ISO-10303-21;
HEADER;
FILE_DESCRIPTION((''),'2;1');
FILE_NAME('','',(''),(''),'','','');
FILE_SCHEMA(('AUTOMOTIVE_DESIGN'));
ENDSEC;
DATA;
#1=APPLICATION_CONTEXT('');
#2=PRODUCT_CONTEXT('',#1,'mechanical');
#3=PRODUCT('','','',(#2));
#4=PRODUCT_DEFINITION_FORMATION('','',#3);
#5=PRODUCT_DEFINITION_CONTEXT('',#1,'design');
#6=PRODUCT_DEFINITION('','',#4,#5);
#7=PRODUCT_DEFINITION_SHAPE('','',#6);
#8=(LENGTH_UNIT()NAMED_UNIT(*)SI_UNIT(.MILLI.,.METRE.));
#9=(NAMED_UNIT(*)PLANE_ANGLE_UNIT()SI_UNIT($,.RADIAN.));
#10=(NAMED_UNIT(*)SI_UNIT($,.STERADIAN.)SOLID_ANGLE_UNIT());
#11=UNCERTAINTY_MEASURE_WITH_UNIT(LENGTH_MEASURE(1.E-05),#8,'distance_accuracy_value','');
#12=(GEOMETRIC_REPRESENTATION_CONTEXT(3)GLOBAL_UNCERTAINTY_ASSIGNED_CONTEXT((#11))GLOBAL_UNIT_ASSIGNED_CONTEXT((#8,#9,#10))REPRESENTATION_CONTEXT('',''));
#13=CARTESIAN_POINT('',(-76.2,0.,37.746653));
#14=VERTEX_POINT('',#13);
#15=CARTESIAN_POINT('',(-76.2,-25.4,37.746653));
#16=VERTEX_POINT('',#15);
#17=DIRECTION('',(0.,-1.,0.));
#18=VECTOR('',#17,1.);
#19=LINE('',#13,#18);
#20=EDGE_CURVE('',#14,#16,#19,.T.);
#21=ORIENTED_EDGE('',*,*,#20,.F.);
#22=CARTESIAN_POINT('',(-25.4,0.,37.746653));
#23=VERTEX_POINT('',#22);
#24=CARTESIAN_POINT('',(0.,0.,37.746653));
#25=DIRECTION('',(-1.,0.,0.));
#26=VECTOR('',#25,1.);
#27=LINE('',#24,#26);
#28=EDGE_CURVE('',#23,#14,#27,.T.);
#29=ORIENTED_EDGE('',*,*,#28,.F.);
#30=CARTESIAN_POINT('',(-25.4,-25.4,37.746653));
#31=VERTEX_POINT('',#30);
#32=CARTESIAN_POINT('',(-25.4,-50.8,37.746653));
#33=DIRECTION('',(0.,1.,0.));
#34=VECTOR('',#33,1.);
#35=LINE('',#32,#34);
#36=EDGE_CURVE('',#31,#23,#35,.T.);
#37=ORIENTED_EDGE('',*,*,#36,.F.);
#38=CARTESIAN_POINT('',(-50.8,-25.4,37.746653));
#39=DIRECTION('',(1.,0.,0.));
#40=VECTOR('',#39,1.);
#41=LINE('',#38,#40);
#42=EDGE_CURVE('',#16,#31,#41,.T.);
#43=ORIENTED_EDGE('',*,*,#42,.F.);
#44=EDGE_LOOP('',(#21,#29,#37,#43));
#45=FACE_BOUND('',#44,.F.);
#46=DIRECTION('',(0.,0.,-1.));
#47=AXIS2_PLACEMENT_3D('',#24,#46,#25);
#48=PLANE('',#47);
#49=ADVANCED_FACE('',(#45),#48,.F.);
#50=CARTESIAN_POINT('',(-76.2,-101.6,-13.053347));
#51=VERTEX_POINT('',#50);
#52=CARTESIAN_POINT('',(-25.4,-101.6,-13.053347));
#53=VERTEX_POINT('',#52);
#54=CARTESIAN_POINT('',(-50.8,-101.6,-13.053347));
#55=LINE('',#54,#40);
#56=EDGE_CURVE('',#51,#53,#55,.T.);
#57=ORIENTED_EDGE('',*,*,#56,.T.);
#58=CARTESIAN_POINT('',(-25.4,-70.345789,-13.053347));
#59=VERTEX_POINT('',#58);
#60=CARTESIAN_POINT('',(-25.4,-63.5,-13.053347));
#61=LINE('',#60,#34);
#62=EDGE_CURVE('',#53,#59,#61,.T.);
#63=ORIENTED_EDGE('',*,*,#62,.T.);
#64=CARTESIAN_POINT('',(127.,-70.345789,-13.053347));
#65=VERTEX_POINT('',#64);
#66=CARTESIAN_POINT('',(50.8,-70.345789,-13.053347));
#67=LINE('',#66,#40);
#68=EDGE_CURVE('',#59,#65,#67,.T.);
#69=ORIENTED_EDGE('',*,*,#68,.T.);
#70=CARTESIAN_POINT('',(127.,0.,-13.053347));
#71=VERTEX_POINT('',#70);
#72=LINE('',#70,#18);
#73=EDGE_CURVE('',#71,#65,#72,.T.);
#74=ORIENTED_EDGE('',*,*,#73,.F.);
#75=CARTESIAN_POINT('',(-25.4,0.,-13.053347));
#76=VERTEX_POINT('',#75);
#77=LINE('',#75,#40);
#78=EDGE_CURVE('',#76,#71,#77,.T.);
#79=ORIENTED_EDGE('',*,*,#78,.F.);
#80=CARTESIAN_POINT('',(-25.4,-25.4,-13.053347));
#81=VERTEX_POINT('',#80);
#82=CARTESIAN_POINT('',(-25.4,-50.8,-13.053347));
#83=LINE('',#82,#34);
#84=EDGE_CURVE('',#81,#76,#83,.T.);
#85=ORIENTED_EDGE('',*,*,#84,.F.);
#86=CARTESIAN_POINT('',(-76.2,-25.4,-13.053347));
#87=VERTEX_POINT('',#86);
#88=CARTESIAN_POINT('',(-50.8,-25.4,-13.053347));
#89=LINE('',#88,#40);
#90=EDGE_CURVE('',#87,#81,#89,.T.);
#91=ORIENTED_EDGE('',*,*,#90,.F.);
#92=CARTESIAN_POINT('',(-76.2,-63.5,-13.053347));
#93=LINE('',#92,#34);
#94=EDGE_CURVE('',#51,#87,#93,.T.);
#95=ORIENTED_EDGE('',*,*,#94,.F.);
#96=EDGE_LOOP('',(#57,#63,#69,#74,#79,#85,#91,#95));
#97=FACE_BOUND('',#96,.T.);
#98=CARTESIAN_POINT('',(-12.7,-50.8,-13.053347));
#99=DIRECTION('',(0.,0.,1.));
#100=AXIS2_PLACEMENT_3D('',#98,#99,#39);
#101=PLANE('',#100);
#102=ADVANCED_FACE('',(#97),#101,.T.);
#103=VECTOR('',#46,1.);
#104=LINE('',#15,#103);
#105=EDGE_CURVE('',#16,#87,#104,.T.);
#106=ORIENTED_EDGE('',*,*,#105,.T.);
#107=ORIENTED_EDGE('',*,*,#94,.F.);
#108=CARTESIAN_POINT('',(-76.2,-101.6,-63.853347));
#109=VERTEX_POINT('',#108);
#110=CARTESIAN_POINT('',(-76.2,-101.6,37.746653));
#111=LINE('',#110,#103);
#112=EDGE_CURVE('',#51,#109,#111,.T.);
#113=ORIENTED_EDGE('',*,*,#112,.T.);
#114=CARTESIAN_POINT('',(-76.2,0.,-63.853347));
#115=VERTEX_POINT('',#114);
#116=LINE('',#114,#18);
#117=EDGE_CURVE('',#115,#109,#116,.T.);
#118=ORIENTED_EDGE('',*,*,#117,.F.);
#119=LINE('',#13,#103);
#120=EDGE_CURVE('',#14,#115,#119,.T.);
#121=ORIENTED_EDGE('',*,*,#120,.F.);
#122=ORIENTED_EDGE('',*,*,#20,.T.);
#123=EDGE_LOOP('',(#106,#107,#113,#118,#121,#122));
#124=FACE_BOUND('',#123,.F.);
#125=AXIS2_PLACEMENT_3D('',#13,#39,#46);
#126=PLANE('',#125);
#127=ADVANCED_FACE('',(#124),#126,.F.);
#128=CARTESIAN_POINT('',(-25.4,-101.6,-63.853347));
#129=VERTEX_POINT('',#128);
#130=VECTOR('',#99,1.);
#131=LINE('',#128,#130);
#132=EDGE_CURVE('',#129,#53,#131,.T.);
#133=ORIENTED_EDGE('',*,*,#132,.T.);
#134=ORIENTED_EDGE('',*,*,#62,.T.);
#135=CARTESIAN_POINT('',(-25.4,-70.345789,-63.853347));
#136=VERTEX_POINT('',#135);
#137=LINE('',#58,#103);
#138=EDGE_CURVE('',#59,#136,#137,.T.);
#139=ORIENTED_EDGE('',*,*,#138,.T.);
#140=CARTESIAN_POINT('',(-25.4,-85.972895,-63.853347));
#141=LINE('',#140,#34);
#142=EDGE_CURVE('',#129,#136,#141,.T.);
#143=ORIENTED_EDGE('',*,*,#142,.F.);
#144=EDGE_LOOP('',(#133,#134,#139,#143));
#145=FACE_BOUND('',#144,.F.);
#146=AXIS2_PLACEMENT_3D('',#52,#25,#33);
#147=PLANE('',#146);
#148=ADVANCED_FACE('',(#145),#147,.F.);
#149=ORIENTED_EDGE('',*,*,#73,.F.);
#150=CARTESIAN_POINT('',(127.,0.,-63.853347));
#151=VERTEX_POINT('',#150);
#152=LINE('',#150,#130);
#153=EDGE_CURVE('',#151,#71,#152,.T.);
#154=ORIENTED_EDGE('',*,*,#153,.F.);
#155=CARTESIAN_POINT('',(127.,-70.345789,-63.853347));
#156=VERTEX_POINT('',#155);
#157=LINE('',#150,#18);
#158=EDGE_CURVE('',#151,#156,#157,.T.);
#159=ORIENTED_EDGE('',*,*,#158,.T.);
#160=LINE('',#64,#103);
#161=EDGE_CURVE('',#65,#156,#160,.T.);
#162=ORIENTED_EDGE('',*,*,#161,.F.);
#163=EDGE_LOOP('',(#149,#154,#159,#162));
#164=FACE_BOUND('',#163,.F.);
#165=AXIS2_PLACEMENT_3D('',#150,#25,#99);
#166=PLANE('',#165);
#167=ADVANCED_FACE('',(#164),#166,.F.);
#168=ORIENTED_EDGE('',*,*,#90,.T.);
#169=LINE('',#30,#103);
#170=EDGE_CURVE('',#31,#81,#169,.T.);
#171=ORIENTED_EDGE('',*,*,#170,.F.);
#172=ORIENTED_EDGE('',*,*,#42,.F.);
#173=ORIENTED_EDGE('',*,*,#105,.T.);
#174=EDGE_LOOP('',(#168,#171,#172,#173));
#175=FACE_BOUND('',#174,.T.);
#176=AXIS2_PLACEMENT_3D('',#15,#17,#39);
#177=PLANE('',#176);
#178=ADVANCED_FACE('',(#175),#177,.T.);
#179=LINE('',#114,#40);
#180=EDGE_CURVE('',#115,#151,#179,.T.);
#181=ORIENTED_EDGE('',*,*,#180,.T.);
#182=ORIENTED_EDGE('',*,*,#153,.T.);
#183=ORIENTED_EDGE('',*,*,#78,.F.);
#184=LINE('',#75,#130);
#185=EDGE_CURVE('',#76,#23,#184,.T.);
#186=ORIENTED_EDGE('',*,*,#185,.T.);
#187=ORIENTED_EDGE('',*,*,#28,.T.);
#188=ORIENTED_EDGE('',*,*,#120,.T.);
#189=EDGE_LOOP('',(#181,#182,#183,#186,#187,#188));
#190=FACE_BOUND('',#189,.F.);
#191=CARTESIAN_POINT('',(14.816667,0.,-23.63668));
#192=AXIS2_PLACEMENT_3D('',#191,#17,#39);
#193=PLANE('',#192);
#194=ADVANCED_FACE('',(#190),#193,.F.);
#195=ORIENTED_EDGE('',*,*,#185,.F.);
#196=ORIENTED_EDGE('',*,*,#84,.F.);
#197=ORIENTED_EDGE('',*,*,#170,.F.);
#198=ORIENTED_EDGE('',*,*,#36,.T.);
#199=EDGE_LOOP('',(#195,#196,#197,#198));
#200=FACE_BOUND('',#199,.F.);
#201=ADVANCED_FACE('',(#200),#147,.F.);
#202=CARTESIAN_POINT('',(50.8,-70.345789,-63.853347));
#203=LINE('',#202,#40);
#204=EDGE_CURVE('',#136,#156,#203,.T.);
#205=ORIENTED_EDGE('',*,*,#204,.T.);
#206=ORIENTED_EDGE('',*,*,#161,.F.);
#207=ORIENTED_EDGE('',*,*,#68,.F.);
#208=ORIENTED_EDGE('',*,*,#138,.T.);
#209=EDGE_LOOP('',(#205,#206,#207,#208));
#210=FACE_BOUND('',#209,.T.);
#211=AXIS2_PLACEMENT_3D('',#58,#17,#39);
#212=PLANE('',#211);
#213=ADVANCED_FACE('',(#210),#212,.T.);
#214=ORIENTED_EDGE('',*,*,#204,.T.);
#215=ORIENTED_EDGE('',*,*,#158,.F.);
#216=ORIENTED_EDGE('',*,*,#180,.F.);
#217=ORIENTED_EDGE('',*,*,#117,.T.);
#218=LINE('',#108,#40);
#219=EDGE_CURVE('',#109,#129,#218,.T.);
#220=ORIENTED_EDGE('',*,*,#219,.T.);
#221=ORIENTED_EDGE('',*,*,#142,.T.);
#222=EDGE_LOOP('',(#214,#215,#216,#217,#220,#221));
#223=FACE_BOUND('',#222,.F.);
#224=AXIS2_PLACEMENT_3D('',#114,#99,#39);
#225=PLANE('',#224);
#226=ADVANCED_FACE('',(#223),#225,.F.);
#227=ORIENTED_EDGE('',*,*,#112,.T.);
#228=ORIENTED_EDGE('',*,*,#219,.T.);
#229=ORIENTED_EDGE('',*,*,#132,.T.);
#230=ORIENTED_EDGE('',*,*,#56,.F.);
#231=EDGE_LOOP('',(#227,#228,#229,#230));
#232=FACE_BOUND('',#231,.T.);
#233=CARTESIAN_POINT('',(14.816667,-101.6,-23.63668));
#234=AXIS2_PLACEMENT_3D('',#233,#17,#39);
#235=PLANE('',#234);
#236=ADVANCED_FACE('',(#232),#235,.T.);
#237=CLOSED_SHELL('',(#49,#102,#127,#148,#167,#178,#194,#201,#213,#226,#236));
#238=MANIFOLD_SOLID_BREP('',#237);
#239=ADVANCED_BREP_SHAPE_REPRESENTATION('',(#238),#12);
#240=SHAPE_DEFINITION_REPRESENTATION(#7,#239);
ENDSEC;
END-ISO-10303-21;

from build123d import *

# Parameters (mm, degrees)
F1_DEPTH = 101.6
F2_W     = 25.4
F2_H     = 101.6
F3_DEPTH = 50.8
F4_W     = 152.4
F4_H     = 31.2542108059
F5_DEPTH = 50.8
F6_W     = 50.8
F6_H     = 76.2
F7_DEPTH = 50.8


with BuildPart() as f1:
    # F0 (on Front) → F1 (new body)
    with BuildSketch(Plane.XZ):
        Polygon((0, 37.7466529608), (-76.2, 37.7466529608), (-76.2, -63.8533470392), (127, -63.8533470392), (127, -13.0533470392), (0, -13.0533470392), align=None)
    extrude(amount=F1_DEPTH)

    # F2 (on face) → F3 (cut)
    with BuildSketch(Plane.XY.offset(-13.0533470392)):
        with Locations((-12.7, -50.8)):
            Rectangle(F2_W, F2_H)
    extrude(amount=F3_DEPTH, mode=Mode.SUBTRACT)

    # F4 (on face) → F5 (cut)
    with BuildSketch(Plane.XY.offset(-13.0533470392)):
        with Locations((50.8, -85.9728945971)):
            Rectangle(F4_W, F4_H)
    extrude(amount=-F5_DEPTH, mode=Mode.SUBTRACT)

    # F6 (on face) → F7 (cut)
    with BuildSketch(Plane.XY.offset(37.7466529608)):
        with Locations((-50.8, -63.5)):
            Rectangle(F6_W, F6_H)
    extrude(amount=-F7_DEPTH, mode=Mode.SUBTRACT)


solid = f1.part
